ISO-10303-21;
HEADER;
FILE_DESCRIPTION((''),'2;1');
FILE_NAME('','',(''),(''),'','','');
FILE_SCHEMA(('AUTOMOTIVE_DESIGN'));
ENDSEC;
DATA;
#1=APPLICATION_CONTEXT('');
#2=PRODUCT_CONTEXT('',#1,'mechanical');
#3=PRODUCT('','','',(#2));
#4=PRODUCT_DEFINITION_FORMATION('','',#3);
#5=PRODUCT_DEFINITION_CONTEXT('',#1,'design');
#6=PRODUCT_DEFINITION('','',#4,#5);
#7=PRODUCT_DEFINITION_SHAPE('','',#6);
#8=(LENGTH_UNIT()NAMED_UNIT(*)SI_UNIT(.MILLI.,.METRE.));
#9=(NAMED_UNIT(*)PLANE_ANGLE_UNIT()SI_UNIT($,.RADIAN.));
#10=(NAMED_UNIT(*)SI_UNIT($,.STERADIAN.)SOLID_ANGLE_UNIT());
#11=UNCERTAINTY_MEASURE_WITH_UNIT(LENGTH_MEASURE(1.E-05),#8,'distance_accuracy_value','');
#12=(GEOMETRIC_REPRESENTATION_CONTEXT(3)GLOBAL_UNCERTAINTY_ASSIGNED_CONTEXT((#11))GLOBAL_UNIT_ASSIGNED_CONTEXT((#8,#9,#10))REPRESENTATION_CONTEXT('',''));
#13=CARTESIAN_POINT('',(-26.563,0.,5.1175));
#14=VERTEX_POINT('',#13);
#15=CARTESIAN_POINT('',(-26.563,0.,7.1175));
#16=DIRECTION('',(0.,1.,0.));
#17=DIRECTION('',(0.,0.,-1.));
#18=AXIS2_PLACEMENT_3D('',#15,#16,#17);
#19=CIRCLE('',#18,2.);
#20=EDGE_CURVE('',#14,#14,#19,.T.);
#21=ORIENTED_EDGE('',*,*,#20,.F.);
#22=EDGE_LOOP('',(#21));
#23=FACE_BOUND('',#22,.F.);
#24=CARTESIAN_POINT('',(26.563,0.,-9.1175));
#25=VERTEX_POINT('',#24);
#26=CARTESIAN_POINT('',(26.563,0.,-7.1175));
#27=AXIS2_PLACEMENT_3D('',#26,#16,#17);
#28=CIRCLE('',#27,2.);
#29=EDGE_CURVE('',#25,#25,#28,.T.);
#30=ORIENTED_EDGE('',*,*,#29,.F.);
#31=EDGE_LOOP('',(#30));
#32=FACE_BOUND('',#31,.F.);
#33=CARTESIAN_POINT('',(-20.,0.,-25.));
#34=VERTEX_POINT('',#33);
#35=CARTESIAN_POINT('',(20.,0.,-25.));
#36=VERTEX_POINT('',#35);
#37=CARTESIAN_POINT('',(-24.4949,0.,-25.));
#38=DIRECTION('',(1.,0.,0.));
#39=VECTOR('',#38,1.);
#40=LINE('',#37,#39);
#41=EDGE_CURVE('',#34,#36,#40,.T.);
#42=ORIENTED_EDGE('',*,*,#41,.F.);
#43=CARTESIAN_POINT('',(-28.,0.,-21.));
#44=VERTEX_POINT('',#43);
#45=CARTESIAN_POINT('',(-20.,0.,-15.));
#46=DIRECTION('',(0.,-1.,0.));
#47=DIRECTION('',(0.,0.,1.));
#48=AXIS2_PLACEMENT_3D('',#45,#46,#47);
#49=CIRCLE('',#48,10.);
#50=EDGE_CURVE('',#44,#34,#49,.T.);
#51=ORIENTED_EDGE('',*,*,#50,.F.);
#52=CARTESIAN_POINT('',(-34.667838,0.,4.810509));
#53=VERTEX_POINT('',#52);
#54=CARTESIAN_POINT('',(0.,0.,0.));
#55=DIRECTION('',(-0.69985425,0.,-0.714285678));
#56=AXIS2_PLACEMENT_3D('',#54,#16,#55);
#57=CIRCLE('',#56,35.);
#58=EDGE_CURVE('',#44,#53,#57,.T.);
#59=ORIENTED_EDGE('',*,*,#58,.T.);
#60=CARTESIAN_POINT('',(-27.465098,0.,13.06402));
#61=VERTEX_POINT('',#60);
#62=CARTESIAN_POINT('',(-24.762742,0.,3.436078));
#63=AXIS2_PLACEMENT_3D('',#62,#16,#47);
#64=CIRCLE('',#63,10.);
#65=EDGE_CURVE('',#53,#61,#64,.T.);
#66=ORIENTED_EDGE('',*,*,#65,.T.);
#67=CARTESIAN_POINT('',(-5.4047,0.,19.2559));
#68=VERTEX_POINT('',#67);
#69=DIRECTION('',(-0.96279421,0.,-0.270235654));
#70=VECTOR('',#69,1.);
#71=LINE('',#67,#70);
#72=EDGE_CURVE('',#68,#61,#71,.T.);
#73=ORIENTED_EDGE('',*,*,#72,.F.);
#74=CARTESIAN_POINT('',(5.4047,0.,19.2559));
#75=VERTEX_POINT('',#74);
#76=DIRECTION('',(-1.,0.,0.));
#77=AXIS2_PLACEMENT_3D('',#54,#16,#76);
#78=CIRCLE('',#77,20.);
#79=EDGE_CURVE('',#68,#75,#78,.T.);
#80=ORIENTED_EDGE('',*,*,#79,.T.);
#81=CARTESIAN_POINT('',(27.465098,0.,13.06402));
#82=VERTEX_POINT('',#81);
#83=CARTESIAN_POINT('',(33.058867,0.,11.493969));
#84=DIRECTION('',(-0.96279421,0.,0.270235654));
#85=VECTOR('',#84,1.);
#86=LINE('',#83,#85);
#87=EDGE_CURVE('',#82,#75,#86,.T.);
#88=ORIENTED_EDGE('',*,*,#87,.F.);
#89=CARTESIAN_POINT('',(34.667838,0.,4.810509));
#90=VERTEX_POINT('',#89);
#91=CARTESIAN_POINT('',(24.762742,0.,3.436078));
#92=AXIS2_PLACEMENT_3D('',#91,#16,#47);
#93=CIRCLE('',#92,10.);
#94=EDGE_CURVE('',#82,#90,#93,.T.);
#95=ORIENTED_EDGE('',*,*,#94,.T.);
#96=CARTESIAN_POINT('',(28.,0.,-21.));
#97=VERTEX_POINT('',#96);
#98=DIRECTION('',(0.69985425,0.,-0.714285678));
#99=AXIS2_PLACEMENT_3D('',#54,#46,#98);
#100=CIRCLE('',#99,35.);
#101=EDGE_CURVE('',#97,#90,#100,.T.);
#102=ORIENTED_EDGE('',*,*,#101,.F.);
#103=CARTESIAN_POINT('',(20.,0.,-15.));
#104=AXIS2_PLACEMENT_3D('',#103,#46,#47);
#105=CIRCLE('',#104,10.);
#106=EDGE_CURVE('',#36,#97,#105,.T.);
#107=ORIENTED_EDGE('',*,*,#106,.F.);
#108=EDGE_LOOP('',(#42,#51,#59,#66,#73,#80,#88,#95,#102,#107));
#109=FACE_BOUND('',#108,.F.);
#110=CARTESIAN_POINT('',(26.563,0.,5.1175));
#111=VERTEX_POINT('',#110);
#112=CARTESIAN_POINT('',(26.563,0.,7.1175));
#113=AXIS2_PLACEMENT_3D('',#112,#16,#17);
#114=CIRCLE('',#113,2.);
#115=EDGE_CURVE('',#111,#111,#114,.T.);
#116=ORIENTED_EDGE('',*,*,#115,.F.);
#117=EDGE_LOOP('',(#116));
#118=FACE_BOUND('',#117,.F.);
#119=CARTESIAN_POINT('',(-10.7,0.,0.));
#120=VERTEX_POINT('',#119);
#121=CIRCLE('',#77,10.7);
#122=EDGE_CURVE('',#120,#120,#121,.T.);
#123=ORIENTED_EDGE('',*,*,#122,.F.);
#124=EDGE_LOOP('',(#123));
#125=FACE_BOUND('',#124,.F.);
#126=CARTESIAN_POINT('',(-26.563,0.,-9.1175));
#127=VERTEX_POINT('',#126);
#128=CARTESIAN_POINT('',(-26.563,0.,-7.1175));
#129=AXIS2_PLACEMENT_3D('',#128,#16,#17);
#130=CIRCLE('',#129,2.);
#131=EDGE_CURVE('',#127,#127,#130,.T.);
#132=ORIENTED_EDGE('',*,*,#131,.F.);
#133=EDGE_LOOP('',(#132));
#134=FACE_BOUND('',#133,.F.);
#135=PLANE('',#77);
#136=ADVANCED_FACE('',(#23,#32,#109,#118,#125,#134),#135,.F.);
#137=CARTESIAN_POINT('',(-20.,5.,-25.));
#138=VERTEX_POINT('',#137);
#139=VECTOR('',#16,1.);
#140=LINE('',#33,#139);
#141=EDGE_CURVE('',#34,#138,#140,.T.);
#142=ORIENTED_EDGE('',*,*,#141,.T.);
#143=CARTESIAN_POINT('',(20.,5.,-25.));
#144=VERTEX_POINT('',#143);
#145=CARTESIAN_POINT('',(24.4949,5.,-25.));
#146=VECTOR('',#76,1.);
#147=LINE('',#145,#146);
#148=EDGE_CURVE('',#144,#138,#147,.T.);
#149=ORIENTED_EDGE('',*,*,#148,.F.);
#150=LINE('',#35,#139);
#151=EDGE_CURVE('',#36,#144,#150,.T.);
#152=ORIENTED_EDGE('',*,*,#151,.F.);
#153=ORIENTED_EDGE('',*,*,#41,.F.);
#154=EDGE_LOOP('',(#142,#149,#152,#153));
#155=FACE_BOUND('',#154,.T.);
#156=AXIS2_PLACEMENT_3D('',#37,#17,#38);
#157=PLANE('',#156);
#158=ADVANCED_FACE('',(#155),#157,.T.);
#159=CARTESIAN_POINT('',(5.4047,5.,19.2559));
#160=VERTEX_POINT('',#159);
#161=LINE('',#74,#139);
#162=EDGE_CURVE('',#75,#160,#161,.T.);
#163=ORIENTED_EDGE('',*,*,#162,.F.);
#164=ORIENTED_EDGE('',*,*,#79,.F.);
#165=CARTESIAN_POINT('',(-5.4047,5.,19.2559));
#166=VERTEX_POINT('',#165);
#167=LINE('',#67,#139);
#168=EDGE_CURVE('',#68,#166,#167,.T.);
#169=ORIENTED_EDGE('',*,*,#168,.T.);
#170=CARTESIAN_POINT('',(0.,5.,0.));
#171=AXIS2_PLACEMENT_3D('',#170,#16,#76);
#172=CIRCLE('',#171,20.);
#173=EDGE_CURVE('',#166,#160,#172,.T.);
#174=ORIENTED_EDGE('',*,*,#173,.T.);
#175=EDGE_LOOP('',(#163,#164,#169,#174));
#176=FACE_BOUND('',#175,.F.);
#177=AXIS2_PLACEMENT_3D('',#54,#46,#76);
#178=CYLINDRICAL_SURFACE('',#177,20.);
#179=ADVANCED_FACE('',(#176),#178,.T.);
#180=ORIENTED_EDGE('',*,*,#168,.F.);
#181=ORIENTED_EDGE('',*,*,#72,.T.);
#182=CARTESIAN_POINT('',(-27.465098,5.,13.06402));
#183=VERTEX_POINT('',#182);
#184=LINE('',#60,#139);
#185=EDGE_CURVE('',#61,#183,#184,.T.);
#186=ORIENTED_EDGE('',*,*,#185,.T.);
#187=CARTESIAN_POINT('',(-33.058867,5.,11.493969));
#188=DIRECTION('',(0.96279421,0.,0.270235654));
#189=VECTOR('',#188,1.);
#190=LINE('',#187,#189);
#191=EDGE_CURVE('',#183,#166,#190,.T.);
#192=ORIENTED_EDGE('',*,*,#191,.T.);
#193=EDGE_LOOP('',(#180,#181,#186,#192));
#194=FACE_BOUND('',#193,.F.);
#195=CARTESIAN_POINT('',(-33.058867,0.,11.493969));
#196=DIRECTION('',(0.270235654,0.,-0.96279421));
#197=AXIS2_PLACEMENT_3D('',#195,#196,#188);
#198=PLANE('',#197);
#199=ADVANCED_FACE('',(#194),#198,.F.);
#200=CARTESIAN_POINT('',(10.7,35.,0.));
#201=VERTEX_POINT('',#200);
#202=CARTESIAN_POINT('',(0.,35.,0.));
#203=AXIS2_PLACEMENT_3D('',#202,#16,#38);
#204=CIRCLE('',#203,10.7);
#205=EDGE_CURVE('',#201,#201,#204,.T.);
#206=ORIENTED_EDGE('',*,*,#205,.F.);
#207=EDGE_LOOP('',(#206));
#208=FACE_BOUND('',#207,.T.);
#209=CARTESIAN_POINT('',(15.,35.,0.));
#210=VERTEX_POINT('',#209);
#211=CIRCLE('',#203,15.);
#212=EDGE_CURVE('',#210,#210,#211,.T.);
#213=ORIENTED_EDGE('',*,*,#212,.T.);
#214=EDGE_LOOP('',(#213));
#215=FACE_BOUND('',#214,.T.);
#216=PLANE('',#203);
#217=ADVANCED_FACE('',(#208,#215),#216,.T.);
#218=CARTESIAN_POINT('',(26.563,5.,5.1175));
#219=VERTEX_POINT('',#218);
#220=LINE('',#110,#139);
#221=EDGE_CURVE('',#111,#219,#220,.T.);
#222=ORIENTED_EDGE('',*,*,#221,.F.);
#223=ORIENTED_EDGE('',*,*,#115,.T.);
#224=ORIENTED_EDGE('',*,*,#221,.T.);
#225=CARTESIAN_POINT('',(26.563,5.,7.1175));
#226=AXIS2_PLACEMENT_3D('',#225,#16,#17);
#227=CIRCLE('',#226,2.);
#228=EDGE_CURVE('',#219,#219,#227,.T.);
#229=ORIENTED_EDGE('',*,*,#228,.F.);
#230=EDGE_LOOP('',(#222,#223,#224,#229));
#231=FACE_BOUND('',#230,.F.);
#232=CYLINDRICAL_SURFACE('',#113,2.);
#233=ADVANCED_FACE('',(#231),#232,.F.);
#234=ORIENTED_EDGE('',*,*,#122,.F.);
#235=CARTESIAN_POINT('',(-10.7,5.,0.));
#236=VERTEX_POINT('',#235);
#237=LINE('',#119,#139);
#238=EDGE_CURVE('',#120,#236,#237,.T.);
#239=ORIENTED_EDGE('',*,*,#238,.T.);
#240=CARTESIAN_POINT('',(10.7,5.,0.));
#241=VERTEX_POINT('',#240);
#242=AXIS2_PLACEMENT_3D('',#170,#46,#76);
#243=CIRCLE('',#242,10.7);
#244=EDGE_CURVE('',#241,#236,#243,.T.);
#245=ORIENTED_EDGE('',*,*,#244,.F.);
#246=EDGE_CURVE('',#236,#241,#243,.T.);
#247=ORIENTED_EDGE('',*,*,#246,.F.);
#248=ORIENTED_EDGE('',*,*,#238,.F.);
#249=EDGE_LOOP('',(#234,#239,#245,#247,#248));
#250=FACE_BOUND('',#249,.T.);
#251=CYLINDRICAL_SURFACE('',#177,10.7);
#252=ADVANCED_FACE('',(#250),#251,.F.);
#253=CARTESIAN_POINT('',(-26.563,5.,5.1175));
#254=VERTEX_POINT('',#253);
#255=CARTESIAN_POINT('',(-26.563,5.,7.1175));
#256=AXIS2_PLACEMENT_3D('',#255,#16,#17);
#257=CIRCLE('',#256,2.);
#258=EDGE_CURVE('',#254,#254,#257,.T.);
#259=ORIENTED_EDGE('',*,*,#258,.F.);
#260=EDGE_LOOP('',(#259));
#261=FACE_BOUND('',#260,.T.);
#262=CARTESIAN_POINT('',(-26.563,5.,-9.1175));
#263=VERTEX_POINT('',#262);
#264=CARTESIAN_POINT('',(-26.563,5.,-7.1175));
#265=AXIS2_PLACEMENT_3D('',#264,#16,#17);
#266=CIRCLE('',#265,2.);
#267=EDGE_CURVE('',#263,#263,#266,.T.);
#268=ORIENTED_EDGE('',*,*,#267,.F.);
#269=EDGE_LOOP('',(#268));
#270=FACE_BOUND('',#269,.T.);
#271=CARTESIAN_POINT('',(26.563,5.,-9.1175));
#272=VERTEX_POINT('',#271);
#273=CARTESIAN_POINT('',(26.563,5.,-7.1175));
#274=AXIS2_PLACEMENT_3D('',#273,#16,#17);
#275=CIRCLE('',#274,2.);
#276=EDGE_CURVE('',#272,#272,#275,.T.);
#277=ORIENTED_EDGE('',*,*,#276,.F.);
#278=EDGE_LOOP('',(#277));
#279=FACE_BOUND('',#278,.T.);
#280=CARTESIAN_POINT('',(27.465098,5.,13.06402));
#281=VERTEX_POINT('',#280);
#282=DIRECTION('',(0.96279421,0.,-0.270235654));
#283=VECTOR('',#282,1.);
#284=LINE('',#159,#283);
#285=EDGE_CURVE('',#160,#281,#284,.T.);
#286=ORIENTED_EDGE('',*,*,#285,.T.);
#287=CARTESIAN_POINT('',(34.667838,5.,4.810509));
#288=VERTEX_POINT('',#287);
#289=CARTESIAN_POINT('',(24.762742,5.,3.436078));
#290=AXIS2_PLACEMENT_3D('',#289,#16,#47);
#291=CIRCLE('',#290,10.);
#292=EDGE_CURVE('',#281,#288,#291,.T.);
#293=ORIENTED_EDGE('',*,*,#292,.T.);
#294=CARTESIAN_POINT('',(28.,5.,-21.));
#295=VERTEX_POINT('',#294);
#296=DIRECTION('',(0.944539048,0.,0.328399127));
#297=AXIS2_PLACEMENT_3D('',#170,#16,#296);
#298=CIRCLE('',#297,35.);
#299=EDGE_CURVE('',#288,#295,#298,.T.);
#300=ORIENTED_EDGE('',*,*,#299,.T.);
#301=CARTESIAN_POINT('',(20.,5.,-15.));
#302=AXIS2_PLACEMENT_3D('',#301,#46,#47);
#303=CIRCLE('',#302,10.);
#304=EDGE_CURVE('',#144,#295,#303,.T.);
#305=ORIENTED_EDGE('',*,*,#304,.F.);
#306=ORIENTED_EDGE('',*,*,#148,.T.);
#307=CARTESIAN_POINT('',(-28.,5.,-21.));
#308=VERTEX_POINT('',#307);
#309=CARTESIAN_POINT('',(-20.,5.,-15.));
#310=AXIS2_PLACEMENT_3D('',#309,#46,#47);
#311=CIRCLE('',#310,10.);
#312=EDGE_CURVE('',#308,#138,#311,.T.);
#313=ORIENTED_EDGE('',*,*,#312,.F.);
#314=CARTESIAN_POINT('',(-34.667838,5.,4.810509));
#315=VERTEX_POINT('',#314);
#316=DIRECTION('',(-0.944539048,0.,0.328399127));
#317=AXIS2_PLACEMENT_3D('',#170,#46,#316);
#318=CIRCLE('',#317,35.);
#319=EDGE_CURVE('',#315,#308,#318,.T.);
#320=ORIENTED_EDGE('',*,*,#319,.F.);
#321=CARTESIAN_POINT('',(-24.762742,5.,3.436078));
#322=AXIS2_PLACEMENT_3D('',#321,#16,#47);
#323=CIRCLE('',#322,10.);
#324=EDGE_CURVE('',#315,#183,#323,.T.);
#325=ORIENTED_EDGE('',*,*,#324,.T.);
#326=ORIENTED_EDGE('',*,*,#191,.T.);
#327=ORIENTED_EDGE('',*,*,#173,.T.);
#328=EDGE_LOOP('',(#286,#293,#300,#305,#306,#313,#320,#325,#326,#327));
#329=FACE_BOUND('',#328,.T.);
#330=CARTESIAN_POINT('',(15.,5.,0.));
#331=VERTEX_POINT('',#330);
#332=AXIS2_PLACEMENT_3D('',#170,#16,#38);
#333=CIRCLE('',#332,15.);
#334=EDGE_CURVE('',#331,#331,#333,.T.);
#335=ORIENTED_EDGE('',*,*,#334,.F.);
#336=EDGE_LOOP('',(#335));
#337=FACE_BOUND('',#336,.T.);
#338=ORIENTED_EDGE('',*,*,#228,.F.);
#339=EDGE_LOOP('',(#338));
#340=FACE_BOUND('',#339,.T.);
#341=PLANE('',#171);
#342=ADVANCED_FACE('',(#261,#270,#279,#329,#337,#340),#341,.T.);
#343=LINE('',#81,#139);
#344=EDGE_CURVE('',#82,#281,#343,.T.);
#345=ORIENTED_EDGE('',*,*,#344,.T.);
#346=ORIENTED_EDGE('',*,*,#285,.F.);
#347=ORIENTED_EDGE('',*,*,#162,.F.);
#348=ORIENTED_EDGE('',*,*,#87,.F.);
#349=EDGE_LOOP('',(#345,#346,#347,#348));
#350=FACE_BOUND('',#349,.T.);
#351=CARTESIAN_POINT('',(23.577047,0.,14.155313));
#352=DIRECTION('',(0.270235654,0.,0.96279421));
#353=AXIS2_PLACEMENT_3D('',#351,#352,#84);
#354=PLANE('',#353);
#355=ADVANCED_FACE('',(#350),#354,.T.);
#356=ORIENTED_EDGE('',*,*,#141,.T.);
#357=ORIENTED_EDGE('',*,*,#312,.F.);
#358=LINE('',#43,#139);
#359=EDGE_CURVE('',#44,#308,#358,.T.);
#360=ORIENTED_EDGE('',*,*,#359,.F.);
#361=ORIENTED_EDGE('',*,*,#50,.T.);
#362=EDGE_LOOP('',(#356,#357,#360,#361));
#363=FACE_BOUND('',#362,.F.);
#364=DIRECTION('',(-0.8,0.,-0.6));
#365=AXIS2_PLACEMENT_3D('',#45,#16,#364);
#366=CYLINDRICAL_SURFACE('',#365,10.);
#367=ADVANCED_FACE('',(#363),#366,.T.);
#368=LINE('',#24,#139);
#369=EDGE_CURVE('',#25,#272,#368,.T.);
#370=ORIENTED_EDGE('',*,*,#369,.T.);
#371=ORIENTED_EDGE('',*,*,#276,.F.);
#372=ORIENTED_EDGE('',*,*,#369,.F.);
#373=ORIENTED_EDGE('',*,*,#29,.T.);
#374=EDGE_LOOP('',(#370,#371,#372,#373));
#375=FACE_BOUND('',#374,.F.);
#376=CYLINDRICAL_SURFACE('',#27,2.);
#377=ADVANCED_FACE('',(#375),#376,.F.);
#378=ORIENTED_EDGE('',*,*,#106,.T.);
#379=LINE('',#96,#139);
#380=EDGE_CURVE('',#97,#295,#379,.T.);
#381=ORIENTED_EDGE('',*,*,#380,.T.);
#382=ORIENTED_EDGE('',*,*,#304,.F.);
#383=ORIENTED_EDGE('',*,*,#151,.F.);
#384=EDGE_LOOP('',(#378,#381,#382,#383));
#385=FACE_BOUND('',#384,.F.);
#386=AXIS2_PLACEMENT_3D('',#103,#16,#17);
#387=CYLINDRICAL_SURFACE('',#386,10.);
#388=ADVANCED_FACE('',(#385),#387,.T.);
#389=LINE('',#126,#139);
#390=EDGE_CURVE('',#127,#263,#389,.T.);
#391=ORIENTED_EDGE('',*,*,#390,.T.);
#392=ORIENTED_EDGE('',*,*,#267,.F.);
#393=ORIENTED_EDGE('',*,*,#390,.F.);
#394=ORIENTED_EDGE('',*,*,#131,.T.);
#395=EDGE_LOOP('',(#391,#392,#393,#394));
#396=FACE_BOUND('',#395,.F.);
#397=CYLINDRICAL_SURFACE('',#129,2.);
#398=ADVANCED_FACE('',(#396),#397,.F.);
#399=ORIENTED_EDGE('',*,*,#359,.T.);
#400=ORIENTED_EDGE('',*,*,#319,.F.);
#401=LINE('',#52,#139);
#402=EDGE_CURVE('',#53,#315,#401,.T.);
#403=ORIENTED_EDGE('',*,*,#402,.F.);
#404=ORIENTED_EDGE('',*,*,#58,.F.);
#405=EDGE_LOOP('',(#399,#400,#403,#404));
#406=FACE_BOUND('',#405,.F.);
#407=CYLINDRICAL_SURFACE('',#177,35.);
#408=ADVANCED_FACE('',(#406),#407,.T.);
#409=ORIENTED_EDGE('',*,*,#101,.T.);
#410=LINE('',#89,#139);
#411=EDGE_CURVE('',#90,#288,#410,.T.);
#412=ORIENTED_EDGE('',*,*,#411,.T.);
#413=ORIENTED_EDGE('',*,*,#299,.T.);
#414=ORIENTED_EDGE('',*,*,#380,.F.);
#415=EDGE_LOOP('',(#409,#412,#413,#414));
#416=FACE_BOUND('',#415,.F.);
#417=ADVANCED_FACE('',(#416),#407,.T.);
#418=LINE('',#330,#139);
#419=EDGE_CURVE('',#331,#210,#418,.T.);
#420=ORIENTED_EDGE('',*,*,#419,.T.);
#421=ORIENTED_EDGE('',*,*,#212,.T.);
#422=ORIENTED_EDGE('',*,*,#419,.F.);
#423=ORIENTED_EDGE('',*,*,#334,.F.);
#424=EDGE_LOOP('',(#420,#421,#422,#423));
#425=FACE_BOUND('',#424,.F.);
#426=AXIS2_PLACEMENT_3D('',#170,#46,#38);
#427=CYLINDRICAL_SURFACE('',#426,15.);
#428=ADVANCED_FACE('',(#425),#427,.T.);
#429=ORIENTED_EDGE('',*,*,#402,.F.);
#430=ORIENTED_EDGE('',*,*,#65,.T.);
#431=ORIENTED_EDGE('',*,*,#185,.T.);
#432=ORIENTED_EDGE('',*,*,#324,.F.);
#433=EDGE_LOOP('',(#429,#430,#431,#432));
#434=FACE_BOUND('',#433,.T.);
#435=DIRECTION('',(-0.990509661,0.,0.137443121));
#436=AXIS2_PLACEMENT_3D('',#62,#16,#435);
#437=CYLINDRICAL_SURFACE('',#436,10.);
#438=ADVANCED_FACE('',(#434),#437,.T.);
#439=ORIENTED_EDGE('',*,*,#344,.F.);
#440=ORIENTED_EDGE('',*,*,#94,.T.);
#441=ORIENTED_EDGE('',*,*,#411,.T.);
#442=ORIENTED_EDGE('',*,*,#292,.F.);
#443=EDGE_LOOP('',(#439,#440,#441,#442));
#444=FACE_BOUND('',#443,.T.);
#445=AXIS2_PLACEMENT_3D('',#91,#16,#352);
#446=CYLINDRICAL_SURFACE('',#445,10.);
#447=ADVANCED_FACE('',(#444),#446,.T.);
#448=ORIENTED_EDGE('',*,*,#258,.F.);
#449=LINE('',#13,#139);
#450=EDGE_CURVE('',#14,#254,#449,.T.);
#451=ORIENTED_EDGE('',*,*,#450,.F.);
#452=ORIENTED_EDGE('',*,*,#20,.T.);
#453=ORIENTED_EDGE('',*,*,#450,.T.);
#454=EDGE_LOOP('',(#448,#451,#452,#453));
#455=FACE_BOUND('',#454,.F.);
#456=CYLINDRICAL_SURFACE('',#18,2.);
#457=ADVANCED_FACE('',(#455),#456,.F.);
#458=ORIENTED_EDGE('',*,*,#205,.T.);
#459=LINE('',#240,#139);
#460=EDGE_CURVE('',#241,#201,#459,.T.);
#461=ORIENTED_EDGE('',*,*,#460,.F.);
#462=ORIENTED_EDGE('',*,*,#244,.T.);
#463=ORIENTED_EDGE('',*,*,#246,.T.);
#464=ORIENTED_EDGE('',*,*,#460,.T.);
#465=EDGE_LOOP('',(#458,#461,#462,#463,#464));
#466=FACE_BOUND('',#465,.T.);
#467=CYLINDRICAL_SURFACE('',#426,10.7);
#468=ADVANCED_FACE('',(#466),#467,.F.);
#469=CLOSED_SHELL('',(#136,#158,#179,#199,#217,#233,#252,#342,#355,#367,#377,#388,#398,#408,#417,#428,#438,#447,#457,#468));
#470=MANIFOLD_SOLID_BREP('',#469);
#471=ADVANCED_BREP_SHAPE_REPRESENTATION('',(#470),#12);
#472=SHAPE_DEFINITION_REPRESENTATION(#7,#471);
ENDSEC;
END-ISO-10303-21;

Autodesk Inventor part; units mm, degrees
ref_plane "YZ Plane" through (0, 0, 0) normal (1, 0, 0) x (0, 1, 0)
ref_plane "XZ Plane" through (0, 0, 0) normal (0, 1, 0) x (-1, 0, 0)
ref_plane "XY Plane" through (0, 0, 0) normal (0, 0, 1) x (1, 0, 0)
sketch "Sketch1" plane through (0, 0, 0) normal (0, 1, 0) x (-1, 0, 0)
  circle A0 centre (0, 0) radius 35
  circle A1 centre (0, 0) radius 10.7
  line L0 (0, 0) -> (0, -48)
  line L1 (60, -48) -> (-60, -48)
  circle A2 centre (-60, -48) radius 50
  circle A3 centre (60, -48) radius 50
  circle A4 centre (0, 0) radius 20
  line L2 (73.5118, 0.1397) -> (5.4047, 19.2559)
  line L3 (-73.5118, 0.1397) -> (-5.4047, 19.2559)
  line L4 (0, 0) -> (0, -25)
  line L5 (24.4949, -25) -> (-24.4949, -25)
  circle A5 centre (0, 0) radius 27.5
  line L6 (0, 0) -> (-26.563, 7.1175)
  line L7 (0, 0) -> (27.5, 0) construction
  line L8 (0, 0) -> (-26.563, -7.1175)
  line L9 (0, 0) -> (26.563, 7.1175)
  line L10 (0, 0) -> (26.563, -7.1175)
  point P0 (33.0589, 11.494)
  point P1 (-33.0589, 11.494)
  dimension "d0" = 70
  dimension "d10" = 100
  dimension "d11" = 100
  dimension "d1" = 21.4
  dimension "d8" = 48
  dimension "d9" = 120
  dimension "d12" = 40
  dimension "d13" = 25
  dimension "d18" = 55
  dimension "d19" = 165
extrude "Extrusion1" add sketch "Sketch1" along normal blind 5 contours A0 A3 A5 L2 | A0 L5 A3 A5 | L3 A5 A2 A0 | A5 L9 A4 L2 | A5 A3 | A3 A5 L5 L0 A4 L10 | A2 A5 L5 A0 | L3 A4 L6 A5 | A4 L9 A1 L6 | A5 L10 A4 L9 | L5 A5 A3 | A5 L8 A4 L0 L5 A2 | A2 A5 | L6 A4 L8 A5 | A4 L10 A1 L9 | A4 L0 A1 L10 | A2 A5 L5 | L6 A1 L8 A4 | A4 L8 A1 L0
fillet "Fillet1" radius 10 4 edges at (33.0589, 2.5, 11.494) (-33.0589, 2.5, 11.494) (24.4949, 2.5, -25) (-24.4949, 2.5, -25)
sketch "Sketch3" plane through (0, 5, 0) normal (0, 1, 0) x (1, 0, 0)
  circle A0 centre (0, 0) radius 10.7
  circle A1 centre (0, 0) radius 15
  dimension "d15" = 30
extrude "Extrusion3" add sketch "Sketch3" along normal blind 30
hole "Hole1" at (26.563, 0, 7.1175) at (26.563, 0, -7.1175) at (-26.563, 0, 7.1175) at (-26.563, 0, -7.1175) direction (0, 1, 0) diameter 4 end through all
properties part number "SyringeHolder"
